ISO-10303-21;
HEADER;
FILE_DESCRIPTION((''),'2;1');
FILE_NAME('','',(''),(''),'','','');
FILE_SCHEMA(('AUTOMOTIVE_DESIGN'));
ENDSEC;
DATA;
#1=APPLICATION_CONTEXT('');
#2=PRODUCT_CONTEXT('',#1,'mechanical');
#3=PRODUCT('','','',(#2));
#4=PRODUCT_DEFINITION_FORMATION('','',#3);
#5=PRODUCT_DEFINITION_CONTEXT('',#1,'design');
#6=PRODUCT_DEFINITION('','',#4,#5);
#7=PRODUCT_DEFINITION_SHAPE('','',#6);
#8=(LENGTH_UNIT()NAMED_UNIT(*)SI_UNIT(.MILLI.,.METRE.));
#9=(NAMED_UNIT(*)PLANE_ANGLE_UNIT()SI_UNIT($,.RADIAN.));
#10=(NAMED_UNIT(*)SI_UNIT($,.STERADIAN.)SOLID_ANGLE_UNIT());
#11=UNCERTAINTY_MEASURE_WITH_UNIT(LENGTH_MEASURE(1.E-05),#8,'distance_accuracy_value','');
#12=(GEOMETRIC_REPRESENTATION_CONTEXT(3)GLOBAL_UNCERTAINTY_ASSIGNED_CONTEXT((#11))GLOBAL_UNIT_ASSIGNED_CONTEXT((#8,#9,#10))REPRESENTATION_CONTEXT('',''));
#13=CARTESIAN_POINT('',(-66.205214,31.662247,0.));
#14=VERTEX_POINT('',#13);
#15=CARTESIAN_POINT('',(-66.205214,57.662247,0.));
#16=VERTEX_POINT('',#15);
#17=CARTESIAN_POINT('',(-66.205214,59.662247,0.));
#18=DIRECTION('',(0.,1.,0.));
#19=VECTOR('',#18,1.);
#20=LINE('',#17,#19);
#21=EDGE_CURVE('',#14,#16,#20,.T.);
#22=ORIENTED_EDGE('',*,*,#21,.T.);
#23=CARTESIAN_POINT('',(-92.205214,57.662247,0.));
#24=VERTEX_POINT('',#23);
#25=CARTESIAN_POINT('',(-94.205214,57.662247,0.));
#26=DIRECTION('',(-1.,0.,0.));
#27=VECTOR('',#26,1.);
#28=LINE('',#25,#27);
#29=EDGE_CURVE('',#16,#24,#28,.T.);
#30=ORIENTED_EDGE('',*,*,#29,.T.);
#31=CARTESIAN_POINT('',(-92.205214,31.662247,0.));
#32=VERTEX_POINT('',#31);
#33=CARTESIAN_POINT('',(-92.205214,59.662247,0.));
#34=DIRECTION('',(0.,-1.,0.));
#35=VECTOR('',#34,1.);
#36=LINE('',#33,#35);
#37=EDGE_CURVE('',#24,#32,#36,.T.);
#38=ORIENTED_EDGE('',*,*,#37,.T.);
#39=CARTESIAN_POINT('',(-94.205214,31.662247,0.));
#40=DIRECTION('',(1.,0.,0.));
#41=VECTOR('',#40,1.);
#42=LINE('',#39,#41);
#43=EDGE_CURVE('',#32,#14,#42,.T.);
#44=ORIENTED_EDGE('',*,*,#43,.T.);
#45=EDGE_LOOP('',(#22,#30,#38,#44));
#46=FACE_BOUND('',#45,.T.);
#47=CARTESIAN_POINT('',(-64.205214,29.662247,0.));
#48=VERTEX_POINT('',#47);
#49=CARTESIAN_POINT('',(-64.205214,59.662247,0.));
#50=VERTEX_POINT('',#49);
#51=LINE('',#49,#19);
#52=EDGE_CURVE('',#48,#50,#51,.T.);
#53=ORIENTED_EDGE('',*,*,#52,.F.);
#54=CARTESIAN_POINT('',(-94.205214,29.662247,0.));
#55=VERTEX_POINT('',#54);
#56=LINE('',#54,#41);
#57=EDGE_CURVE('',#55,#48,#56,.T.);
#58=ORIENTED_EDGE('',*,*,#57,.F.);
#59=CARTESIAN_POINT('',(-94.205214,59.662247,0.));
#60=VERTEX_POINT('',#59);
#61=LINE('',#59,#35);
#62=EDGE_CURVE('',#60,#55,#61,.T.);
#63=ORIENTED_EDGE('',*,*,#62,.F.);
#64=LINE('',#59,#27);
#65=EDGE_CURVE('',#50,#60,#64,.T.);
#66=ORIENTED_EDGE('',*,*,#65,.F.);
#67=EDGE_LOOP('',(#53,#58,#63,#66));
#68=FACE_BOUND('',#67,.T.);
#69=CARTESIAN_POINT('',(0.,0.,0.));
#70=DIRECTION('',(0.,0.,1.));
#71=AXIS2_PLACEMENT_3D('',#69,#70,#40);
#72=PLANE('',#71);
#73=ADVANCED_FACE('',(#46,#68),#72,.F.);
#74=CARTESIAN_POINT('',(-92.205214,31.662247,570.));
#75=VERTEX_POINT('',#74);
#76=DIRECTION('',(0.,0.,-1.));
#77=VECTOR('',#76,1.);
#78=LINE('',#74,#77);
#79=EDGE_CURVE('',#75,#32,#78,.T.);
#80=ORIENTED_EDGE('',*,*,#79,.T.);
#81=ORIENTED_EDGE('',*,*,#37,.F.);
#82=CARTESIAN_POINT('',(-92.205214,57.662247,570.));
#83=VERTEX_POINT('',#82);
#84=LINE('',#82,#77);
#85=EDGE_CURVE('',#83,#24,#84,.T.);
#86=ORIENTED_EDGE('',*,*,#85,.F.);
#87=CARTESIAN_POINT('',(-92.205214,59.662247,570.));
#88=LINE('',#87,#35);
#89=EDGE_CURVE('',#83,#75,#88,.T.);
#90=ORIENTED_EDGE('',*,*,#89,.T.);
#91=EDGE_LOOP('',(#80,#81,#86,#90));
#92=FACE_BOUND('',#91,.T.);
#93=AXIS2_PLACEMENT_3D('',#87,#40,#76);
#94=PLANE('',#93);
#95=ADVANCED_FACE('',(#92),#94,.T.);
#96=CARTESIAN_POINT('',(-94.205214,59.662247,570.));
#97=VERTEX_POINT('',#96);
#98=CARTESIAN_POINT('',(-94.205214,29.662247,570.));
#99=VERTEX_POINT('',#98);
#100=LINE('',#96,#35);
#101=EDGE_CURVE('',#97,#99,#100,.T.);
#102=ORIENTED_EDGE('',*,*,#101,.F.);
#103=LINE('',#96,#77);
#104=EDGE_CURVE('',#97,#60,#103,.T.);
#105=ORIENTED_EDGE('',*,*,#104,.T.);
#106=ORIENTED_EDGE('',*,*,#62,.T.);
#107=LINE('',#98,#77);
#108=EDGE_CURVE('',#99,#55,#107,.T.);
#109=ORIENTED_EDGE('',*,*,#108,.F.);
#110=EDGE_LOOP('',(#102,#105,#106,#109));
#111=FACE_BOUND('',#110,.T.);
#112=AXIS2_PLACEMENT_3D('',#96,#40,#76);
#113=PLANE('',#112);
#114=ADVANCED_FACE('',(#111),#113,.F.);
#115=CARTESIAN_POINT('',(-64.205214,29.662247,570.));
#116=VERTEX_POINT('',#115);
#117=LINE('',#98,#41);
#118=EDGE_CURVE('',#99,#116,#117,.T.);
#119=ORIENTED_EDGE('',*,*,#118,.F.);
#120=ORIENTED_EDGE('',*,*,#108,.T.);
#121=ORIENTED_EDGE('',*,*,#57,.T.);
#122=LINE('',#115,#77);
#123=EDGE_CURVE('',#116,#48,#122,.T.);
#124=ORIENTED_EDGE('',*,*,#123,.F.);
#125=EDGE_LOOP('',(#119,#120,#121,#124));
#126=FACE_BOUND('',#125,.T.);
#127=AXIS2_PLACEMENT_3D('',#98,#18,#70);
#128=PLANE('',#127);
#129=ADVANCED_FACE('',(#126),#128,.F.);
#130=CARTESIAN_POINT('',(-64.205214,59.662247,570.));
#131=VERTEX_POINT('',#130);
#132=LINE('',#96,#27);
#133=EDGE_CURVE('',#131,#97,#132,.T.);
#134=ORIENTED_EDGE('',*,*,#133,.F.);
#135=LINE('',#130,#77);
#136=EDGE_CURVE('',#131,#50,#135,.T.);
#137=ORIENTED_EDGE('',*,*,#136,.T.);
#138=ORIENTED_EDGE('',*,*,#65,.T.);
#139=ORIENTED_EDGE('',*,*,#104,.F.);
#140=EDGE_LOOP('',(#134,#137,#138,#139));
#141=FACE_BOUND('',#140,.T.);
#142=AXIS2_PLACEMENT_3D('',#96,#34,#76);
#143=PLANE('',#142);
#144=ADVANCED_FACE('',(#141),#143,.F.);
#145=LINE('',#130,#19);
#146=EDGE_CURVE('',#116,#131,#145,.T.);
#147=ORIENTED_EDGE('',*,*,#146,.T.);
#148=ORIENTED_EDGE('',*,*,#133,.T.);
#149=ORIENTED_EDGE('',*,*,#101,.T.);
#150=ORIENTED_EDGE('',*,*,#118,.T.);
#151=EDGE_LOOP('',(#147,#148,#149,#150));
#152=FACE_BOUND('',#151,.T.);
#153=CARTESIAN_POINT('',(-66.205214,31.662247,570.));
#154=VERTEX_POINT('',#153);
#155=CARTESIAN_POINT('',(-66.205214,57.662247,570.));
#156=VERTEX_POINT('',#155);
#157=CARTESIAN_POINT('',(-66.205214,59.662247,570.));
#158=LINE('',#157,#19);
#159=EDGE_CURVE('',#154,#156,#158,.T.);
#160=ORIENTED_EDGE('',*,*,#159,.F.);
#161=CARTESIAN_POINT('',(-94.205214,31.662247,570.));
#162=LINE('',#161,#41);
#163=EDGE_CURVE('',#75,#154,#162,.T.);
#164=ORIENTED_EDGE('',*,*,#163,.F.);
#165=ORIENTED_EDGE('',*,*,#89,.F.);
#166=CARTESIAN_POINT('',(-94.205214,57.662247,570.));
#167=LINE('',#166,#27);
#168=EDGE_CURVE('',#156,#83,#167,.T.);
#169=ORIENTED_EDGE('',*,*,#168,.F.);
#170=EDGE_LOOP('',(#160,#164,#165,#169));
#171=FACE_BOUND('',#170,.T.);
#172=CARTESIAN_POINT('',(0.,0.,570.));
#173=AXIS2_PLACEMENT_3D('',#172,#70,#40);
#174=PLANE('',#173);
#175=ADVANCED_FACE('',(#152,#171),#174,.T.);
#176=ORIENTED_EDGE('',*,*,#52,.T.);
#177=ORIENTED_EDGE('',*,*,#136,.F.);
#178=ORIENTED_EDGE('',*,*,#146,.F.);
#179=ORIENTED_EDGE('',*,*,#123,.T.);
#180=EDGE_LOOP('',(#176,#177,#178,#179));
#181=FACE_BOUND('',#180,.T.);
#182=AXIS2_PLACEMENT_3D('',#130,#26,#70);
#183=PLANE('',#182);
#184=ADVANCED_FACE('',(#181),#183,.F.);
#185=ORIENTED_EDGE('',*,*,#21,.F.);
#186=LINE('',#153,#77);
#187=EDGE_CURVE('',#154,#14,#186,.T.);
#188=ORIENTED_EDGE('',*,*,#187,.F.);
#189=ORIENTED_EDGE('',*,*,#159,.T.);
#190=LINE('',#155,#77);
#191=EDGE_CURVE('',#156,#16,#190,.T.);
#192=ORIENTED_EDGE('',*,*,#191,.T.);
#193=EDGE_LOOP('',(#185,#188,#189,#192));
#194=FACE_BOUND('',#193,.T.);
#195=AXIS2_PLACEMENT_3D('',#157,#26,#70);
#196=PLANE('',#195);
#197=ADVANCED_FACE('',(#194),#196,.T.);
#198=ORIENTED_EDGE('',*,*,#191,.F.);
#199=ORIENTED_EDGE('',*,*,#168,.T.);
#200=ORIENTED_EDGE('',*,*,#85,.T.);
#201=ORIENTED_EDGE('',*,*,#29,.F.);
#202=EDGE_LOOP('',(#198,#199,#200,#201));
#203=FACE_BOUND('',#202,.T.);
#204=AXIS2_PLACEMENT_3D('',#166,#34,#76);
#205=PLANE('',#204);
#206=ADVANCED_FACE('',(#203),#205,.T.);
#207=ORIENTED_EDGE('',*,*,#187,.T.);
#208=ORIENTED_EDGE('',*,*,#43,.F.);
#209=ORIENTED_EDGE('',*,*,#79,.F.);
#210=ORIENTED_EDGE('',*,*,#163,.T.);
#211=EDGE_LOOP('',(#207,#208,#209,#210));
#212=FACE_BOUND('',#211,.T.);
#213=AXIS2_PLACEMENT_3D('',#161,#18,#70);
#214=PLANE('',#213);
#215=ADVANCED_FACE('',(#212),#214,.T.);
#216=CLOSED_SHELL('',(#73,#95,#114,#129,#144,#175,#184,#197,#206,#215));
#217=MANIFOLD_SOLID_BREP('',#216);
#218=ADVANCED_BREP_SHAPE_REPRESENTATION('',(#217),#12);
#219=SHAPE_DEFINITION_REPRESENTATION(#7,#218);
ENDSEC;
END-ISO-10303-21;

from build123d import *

# Parameters (mm, degrees)
ESBO_O2_W                = 30
ESBO_O2_H                = 30
RESSALTO_EXTRUS_O1_DEPTH = 570
CASCA2_T                 = -2


with BuildPart() as part:
    # Esboço2 → Ressalto-extrusão1 (new body)
    with BuildSketch(Plane.XY):
        with Locations((-79.205213928, 44.662246879)):
            Rectangle(ESBO_O2_W, ESBO_O2_H)
    extrude(amount=RESSALTO_EXTRUS_O1_DEPTH)

    # Casca2
    casca2_openings = [part.faces().sort_by_distance(p)[0] for p in [
        (-79.205213928, 44.662246879, 570),
        (-79.205213928, 44.662246879, 0),
    ]]
    offset(amount=CASCA2_T, openings=casca2_openings, kind=Kind.INTERSECTION)


solid = part.part
